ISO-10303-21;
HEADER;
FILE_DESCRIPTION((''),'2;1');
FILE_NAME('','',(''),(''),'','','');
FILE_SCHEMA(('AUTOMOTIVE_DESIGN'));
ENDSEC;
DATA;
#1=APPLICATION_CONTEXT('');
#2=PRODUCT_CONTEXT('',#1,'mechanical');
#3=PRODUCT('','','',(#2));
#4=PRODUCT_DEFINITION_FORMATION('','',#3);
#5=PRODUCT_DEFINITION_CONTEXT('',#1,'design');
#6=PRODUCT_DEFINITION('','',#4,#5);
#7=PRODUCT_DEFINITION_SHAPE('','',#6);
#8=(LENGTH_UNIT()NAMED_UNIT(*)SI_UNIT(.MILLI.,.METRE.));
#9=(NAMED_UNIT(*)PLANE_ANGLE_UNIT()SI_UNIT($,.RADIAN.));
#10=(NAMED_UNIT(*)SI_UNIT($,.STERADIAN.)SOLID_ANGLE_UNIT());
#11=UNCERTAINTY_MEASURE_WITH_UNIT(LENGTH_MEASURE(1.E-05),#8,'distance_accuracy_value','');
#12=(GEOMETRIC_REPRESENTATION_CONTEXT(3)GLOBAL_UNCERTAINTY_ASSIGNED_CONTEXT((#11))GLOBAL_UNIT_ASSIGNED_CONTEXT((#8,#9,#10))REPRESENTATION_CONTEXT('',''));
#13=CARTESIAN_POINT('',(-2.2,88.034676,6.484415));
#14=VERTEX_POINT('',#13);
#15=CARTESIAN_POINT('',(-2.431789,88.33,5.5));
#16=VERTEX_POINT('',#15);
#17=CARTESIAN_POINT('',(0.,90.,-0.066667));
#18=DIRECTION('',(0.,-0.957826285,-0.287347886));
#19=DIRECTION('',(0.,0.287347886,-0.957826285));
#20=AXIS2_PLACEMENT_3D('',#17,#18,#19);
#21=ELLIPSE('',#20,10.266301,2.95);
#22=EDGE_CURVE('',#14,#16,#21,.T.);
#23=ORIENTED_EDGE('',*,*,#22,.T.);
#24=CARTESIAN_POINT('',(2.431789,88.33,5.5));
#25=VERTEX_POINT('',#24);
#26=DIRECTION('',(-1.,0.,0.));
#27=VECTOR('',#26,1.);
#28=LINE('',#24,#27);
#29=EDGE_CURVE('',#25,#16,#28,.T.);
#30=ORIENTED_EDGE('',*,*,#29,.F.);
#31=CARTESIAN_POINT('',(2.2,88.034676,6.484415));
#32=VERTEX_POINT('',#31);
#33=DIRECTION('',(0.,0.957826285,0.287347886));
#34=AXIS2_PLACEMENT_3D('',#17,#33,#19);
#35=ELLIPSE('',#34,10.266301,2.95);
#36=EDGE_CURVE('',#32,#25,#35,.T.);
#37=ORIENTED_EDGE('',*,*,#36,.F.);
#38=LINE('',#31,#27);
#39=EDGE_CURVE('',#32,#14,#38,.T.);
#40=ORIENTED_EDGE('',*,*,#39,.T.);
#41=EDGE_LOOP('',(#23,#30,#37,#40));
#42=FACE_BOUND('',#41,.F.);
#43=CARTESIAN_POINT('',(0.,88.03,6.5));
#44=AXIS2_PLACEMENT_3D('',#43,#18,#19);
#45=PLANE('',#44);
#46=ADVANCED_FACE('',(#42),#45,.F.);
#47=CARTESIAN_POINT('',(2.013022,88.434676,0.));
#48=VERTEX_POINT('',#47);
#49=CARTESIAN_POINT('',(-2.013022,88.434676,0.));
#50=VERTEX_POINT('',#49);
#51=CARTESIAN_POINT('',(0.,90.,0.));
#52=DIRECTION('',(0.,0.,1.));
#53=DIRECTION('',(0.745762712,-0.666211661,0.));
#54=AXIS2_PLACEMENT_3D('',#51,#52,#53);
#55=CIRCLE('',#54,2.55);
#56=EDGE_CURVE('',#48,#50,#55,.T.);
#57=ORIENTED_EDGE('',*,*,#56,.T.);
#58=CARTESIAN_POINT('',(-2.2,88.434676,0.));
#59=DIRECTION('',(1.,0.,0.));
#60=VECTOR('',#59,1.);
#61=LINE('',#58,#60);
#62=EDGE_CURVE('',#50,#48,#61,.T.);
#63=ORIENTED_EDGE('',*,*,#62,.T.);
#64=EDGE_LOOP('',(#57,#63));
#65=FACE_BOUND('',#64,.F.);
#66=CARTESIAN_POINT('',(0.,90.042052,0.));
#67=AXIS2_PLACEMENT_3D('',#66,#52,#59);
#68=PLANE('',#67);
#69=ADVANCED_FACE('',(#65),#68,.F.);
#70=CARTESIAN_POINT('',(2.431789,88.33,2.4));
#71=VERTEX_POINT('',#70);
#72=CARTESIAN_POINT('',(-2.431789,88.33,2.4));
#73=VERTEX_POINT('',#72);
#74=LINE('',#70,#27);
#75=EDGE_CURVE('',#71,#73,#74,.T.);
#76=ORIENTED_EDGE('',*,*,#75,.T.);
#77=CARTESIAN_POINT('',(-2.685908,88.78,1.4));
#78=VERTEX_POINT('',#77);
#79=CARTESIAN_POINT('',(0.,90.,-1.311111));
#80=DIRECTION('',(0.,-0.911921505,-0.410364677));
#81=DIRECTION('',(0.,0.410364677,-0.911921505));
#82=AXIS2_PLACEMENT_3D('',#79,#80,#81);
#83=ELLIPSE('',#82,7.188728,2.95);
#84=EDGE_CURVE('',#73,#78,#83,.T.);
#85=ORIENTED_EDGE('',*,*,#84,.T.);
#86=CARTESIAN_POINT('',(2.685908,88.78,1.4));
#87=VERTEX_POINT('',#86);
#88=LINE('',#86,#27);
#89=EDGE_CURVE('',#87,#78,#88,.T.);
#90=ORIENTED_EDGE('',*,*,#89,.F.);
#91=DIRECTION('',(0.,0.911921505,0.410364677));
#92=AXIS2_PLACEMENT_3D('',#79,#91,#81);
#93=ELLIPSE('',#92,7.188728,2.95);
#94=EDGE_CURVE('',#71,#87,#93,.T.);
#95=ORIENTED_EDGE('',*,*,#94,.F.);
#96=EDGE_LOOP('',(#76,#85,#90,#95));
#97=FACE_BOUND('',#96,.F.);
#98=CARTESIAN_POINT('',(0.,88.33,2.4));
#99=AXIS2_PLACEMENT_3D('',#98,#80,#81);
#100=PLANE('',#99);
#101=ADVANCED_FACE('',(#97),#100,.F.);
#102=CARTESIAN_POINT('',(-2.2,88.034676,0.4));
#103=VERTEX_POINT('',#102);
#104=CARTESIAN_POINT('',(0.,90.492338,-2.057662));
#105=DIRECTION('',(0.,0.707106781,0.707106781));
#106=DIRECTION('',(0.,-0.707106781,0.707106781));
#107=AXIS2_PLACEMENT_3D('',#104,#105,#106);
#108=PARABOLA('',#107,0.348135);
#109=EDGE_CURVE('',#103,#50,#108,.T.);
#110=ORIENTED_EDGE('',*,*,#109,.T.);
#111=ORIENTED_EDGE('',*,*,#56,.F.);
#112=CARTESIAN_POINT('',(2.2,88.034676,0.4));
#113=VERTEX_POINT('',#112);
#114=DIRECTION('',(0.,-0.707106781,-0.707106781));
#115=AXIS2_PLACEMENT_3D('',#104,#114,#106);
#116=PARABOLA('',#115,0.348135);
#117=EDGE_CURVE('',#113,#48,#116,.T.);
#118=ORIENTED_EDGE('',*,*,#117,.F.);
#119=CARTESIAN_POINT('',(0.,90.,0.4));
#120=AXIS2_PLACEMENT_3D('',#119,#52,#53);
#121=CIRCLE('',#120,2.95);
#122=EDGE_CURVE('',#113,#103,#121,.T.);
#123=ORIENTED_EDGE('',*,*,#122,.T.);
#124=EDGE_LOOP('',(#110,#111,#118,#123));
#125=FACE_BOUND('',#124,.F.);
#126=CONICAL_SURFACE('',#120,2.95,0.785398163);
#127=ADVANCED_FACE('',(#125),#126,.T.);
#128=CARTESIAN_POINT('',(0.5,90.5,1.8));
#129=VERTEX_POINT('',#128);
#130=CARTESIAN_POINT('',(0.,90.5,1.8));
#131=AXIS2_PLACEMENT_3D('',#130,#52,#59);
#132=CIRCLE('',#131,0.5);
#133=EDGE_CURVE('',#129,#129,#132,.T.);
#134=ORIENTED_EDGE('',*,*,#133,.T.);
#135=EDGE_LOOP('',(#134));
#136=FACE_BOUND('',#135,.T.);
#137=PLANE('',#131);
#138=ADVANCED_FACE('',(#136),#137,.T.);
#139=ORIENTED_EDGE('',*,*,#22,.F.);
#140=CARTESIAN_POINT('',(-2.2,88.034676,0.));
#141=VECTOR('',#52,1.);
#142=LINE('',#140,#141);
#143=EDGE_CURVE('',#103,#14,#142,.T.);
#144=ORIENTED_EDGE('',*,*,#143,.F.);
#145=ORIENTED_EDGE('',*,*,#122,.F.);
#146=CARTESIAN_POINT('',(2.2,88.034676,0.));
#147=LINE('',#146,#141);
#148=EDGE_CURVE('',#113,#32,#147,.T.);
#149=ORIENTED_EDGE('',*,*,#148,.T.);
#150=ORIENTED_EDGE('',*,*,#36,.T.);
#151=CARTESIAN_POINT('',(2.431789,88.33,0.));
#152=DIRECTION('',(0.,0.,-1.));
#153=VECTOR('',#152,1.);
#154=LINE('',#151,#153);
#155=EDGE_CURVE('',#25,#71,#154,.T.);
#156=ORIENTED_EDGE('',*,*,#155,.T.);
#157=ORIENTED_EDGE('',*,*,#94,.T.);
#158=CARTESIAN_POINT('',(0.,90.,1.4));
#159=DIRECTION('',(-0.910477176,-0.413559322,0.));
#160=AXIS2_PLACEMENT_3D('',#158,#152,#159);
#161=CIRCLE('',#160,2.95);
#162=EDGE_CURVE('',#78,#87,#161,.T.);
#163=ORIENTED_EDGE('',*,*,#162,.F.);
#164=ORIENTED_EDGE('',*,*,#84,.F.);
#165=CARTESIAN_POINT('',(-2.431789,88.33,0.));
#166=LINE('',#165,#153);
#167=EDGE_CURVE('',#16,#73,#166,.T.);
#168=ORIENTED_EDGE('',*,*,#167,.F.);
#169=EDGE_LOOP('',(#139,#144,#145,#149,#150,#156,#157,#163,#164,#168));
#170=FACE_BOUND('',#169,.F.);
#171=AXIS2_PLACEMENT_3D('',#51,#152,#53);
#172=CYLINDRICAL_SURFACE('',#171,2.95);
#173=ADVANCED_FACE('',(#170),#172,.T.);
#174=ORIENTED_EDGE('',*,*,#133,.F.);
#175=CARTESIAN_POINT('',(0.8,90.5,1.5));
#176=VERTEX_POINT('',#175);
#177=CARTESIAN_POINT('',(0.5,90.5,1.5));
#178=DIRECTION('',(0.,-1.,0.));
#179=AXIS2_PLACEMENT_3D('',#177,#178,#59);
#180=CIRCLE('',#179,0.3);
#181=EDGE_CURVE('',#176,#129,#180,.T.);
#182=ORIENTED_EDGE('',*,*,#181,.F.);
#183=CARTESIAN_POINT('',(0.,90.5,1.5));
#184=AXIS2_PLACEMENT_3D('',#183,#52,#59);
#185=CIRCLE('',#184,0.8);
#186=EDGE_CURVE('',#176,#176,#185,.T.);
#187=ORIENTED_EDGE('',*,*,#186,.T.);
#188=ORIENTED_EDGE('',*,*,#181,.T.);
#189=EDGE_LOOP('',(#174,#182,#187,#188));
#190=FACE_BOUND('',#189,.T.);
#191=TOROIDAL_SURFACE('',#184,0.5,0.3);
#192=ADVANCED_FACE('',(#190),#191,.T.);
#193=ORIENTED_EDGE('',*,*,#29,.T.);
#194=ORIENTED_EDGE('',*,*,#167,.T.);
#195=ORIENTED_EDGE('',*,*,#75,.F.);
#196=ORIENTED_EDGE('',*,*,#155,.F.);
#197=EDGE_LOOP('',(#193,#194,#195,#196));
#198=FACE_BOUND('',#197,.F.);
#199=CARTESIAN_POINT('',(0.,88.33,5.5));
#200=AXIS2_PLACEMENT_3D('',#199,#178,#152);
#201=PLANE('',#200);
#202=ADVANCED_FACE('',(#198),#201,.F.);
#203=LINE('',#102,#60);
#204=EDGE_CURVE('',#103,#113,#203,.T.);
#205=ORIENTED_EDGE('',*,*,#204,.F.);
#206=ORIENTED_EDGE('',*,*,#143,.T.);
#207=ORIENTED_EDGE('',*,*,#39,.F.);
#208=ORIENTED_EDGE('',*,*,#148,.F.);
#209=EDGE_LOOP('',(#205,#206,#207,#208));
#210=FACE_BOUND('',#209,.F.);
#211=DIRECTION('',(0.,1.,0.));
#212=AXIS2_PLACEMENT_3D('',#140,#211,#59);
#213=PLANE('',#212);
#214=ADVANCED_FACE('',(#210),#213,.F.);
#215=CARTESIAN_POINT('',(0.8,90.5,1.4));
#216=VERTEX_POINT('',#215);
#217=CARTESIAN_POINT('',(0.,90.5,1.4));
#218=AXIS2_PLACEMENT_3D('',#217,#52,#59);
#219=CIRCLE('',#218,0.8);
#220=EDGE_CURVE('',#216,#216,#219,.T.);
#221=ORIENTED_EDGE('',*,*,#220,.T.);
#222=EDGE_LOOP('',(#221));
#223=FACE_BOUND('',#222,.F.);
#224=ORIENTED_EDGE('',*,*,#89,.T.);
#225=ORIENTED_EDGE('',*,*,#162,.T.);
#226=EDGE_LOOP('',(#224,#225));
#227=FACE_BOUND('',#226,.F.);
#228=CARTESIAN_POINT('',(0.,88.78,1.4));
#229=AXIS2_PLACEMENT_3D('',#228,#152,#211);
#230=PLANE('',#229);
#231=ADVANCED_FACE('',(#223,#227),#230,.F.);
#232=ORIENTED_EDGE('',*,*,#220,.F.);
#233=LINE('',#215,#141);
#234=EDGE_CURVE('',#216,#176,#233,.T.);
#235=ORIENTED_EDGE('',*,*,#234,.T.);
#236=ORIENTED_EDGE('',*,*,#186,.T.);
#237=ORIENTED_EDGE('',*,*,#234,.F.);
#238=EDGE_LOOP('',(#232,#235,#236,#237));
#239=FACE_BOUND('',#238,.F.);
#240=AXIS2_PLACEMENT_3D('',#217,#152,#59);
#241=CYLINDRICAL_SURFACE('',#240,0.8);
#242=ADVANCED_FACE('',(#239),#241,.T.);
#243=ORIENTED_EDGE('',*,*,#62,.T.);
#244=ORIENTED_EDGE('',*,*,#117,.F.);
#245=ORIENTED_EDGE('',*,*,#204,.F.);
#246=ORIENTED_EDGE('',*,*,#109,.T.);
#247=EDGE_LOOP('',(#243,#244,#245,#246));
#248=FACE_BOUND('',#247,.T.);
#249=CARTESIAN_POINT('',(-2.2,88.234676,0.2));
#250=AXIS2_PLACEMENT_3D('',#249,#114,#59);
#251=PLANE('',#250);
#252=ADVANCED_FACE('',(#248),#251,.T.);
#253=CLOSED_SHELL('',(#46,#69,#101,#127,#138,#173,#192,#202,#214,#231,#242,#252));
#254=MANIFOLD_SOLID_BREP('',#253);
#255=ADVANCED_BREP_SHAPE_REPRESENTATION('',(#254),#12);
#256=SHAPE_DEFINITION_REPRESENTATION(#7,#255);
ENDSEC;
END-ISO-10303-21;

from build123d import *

# Parameters (mm, degrees)
PAD008_DEPTH         = 6.5
POCKET007_DEPTH      = 2.951
POCKET007_DEPTH_BACK = 2.951
SKETCH023_R          = 0.8
PAD009_DEPTH         = 0.4
FILLET001_R          = 0.3
CHAMFER007_SIZE      = 0.4


with BuildPart() as part:
    # Sketch022 → Pad008 (new body)
    with BuildSketch(Plane.XY):
        with BuildLine():
            ThreePointArc((2.2, -1.9653244007), (0, 2.95), (-2.2, -1.9653244007))
            Line((-2.2, -1.9653244007), (2.2, -1.9653244007))
        make_face()
    extrude(amount=PAD008_DEPTH)

    # Sketch024 → Pocket007 (cut, two sides)
    with BuildSketch(Plane.YZ) as pocket007_sk:
        Polygon((-1.97, 6.5), (-1.67, 5.5), (-1.67, 2.4), (-1.22, 1.4), (4, 1.4), (4, 6.5), align=None)
    extrude(amount=-POCKET007_DEPTH, mode=Mode.SUBTRACT)
    extrude(pocket007_sk.sketch, amount=POCKET007_DEPTH_BACK, mode=Mode.SUBTRACT)

    # Sketch023 (on Face7 of Pocket007) → Pad009 (join)
    with BuildSketch(Plane.XY.offset(1.4)):
        with Locations((0, 0.5)):
            Circle(SKETCH023_R)
    extrude(amount=PAD009_DEPTH)

    # Fillet001
    fillet001_edges = [part.edges().sort_by_distance(p)[0] for p in [
        (-0.8, 0.5, 1.8),
    ]]
    fillet(fillet001_edges, radius=FILLET001_R)

    # Chamfer007
    chamfer007_edges = [part.edges().sort_by_distance(p)[0] for p in [
        (0, 2.95, 0),
        (0, -1.965324, 0),
    ]]
    chamfer(chamfer007_edges, length=CHAMFER007_SIZE)


with BuildPart() as part_1:
    # Body095 placement: moved
    add(part.part.moved(Location((0, 90, 0))))


solid = part_1.part
